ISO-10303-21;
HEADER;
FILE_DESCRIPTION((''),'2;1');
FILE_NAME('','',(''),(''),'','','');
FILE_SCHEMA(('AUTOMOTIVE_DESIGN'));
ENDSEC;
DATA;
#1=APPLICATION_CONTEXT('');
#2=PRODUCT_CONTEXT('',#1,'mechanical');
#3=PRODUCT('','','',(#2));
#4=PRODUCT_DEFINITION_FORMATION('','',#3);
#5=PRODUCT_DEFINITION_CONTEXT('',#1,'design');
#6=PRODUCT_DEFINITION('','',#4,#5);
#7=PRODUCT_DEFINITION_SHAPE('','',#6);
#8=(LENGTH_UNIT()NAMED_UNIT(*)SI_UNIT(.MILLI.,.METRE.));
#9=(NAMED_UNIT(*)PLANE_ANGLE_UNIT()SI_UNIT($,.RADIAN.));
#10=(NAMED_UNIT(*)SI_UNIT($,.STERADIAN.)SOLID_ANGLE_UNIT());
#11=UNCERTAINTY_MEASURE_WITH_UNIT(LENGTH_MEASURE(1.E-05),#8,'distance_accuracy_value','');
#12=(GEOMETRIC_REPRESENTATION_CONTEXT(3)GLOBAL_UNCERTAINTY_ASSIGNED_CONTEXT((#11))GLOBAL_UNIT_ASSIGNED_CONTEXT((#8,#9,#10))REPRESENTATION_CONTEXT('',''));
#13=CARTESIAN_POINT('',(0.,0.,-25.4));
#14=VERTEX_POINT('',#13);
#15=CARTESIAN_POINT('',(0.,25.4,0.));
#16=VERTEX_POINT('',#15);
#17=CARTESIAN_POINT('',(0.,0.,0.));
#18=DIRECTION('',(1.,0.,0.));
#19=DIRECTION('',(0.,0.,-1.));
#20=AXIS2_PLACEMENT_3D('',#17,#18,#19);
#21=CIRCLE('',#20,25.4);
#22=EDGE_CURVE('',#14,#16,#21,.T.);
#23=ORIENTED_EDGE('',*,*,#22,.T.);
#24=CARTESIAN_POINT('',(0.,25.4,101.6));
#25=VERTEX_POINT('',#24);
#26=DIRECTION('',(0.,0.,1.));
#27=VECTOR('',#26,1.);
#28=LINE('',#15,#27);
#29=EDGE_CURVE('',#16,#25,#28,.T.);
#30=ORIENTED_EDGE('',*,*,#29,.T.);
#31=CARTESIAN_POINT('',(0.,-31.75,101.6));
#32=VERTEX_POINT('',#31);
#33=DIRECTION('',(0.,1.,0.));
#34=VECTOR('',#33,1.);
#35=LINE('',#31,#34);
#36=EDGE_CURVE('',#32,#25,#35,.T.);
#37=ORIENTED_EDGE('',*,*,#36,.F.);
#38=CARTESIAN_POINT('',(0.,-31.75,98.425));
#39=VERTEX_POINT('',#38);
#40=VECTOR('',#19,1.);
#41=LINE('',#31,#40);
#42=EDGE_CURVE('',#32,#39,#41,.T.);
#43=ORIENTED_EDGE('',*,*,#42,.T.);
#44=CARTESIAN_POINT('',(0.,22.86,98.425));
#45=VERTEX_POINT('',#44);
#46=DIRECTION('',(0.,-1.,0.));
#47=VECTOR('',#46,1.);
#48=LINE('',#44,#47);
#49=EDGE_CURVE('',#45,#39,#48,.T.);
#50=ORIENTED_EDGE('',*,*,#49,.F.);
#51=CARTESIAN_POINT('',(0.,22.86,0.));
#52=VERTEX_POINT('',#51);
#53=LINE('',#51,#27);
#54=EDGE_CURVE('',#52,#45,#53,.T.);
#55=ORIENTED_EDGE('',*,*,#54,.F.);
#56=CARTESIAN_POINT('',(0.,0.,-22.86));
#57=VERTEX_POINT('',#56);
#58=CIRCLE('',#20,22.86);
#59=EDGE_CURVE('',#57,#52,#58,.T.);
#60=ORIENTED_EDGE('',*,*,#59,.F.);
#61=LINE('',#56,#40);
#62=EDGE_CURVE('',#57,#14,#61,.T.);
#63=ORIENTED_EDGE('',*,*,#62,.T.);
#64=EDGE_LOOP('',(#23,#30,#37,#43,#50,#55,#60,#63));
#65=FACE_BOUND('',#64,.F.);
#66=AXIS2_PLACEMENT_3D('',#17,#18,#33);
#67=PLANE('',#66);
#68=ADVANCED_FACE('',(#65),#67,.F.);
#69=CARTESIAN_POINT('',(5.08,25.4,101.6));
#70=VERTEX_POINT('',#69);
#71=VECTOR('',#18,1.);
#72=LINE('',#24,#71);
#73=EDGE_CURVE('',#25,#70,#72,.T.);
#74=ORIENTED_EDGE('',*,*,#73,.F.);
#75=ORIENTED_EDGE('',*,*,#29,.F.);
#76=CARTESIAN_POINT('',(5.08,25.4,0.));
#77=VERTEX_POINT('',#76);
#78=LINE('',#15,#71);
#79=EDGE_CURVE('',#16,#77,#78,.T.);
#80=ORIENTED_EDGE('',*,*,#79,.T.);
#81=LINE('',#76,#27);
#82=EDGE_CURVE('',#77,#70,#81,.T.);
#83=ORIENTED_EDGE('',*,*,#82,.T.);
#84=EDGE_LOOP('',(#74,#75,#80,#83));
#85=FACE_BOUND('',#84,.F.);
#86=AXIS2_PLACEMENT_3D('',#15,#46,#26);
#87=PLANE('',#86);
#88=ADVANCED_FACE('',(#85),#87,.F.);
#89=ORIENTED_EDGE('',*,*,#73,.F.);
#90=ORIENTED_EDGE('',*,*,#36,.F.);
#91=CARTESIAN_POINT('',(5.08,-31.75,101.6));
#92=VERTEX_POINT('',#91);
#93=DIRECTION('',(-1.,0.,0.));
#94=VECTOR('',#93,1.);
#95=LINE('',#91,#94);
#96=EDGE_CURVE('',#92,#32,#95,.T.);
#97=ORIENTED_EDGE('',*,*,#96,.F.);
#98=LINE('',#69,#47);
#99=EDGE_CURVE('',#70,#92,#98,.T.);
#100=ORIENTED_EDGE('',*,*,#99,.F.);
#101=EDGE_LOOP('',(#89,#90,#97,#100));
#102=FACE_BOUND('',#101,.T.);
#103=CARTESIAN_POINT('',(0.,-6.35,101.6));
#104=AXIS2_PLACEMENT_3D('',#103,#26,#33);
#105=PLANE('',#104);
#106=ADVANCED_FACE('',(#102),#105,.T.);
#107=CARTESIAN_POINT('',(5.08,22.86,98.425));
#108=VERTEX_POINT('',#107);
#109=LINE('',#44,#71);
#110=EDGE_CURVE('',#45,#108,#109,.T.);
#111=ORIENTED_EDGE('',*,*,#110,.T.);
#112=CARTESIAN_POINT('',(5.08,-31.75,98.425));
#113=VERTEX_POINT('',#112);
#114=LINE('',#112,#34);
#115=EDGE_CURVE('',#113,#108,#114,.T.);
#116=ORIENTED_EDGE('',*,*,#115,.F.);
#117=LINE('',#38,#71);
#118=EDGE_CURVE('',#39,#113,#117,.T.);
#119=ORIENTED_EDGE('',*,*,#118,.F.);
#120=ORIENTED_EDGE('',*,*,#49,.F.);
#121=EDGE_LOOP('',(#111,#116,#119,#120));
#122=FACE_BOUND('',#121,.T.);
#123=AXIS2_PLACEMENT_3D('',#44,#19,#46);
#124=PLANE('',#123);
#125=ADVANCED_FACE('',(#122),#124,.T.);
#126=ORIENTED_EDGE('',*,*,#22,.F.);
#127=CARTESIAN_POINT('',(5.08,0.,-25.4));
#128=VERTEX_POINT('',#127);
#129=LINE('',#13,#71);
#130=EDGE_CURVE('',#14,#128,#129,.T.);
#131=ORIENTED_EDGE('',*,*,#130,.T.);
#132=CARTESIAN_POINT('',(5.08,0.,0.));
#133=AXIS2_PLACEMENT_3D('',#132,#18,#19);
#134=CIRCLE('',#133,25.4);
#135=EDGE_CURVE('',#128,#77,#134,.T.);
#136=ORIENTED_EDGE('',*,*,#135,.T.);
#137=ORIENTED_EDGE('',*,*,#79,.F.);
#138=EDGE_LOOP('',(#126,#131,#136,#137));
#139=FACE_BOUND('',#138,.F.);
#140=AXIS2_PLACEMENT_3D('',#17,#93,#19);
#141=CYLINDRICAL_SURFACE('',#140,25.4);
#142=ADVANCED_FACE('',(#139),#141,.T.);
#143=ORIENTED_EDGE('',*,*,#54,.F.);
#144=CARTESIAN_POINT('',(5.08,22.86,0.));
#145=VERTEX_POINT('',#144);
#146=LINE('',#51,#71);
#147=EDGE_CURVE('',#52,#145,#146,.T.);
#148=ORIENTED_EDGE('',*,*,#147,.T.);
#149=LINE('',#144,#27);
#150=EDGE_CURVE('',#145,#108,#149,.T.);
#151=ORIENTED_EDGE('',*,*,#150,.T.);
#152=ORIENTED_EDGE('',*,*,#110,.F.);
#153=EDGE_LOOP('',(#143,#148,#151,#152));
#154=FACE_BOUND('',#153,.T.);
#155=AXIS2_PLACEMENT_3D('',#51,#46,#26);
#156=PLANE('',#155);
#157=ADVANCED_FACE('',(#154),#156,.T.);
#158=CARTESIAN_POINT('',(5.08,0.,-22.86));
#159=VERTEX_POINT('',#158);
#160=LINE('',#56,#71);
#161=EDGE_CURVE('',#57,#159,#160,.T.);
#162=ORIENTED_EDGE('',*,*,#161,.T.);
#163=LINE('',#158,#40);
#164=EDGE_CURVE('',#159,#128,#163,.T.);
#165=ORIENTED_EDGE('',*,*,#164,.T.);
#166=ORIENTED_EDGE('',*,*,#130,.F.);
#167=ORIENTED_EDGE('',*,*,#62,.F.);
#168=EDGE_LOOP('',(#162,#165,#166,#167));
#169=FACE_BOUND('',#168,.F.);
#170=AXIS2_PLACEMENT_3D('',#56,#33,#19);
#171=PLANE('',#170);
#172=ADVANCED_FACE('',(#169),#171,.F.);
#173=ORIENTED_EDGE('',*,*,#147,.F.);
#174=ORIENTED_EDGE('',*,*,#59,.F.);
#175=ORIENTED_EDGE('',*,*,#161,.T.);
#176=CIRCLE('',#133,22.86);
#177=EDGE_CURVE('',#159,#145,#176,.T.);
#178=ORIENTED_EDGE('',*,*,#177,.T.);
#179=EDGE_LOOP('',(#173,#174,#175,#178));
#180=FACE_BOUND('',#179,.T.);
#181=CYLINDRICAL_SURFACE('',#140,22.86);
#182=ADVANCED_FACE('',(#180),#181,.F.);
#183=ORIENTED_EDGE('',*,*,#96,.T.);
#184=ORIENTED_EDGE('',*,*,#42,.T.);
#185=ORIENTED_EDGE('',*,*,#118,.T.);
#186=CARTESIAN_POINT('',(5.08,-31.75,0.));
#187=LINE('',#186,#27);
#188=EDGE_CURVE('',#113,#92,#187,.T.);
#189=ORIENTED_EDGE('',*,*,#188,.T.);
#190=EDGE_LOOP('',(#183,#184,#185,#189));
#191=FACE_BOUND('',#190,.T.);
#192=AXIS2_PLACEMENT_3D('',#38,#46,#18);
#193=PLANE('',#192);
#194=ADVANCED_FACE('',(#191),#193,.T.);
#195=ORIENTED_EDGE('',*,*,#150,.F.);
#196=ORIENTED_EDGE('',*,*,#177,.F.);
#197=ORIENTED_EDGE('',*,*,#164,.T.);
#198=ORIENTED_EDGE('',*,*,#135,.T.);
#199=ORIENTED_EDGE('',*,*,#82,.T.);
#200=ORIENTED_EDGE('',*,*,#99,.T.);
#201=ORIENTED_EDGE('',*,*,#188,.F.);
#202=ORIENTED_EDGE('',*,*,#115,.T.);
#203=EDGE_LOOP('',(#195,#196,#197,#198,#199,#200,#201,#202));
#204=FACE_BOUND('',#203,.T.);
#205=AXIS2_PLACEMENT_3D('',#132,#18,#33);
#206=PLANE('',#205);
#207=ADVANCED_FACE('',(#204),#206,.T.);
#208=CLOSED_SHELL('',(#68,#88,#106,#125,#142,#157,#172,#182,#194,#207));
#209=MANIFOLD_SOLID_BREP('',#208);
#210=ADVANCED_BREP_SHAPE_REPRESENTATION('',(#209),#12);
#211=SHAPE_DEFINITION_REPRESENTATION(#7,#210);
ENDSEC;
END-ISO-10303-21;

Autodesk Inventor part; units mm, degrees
ref_plane "YZ Plane" through (0, 0, 0) normal (1, 0, 0) x (0, 1, 0)
ref_plane "XZ Plane" through (0, 0, 0) normal (0, 1, 0) x (-1, 0, 0)
ref_plane "XY Plane" through (0, 0, 0) normal (0, 0, 1) x (1, 0, 0)
sketch "Sketch1" plane through (0, 0, 0) normal (1, 0, 0) x (0, 1, 0)
  line L0 (0, 10.0605) -> (0, 10.7499)
  arc A0 (0, -25.4) -> (25.4, 0) centre (0, 0) ccw
  arc A1 (0, -23.8125) -> (23.8125, 0) centre (0, 0) ccw
  line L1 (25.4, 0) -> (25.4, 101.6)
  line L2 (23.8125, 0) -> (23.8125, 101.6)
  line L3 (25.4, 101.6) -> (23.8125, 101.6)
  dimension "d2" = 25.4
  dimension "d3" = 101.6
  dimension "d4" = 101.6
extrude "Extrusion1" [suppressed]
sketch "Sketch2" plane through (0, 0, 0) normal (1, 0, 0) x (0, 1, 0)
  arc A0 (0, -25.4) -> (25.4, 0) centre (0, 0) ccw
  arc A1 (0, -22.86) -> (22.86, 0) centre (0, 0) ccw
  line L0 (0, -22.86) -> (0, -25.4)
  line L1 (25.4, 0) -> (25.4, 101.6)
  line L2 (22.86, 0) -> (22.86, 98.425)
  line L3 (22.86, 98.425) -> (-6.35, 98.425)
  line L4 (-6.35, 98.425) -> (-6.35, 101.6)
  line L5 (-6.35, 101.6) -> (14.2875, 101.6)
  line L6 (14.2875, 101.6) -> (16.1645, 101.6)
  line L7 (16.1645, 101.6) -> (25.4, 101.6)
  dimension "d5" = 25.4
  dimension "d6" = 22.86
  dimension "d8" = 101.6
extrude "Extrusion2" add sketch "Sketch2" along normal blind 5.08
sketch "Sketch3" plane through (0, -6.35, 98.425) normal (0, -1, 0) x (1, 0, 0)
  line L0 (5.08, -98.425) -> (5.08, 3.175) projected
  line L1 (0, 0) -> (5.08, 0) projected
  line L2 (5.08, 3.175) -> (0, 3.175)
  line L3 (0, 3.175) -> (0, 0)
  line L4 (0, 0) -> (5.08, 0)
  line L5 (5.08, 0) -> (5.08, 3.175)
  point P0 (0, -98.425)
extrude "Extrusion3" add sketch "Sketch3" along normal blind 25.4
properties part number "CONTAINER PIPE"
